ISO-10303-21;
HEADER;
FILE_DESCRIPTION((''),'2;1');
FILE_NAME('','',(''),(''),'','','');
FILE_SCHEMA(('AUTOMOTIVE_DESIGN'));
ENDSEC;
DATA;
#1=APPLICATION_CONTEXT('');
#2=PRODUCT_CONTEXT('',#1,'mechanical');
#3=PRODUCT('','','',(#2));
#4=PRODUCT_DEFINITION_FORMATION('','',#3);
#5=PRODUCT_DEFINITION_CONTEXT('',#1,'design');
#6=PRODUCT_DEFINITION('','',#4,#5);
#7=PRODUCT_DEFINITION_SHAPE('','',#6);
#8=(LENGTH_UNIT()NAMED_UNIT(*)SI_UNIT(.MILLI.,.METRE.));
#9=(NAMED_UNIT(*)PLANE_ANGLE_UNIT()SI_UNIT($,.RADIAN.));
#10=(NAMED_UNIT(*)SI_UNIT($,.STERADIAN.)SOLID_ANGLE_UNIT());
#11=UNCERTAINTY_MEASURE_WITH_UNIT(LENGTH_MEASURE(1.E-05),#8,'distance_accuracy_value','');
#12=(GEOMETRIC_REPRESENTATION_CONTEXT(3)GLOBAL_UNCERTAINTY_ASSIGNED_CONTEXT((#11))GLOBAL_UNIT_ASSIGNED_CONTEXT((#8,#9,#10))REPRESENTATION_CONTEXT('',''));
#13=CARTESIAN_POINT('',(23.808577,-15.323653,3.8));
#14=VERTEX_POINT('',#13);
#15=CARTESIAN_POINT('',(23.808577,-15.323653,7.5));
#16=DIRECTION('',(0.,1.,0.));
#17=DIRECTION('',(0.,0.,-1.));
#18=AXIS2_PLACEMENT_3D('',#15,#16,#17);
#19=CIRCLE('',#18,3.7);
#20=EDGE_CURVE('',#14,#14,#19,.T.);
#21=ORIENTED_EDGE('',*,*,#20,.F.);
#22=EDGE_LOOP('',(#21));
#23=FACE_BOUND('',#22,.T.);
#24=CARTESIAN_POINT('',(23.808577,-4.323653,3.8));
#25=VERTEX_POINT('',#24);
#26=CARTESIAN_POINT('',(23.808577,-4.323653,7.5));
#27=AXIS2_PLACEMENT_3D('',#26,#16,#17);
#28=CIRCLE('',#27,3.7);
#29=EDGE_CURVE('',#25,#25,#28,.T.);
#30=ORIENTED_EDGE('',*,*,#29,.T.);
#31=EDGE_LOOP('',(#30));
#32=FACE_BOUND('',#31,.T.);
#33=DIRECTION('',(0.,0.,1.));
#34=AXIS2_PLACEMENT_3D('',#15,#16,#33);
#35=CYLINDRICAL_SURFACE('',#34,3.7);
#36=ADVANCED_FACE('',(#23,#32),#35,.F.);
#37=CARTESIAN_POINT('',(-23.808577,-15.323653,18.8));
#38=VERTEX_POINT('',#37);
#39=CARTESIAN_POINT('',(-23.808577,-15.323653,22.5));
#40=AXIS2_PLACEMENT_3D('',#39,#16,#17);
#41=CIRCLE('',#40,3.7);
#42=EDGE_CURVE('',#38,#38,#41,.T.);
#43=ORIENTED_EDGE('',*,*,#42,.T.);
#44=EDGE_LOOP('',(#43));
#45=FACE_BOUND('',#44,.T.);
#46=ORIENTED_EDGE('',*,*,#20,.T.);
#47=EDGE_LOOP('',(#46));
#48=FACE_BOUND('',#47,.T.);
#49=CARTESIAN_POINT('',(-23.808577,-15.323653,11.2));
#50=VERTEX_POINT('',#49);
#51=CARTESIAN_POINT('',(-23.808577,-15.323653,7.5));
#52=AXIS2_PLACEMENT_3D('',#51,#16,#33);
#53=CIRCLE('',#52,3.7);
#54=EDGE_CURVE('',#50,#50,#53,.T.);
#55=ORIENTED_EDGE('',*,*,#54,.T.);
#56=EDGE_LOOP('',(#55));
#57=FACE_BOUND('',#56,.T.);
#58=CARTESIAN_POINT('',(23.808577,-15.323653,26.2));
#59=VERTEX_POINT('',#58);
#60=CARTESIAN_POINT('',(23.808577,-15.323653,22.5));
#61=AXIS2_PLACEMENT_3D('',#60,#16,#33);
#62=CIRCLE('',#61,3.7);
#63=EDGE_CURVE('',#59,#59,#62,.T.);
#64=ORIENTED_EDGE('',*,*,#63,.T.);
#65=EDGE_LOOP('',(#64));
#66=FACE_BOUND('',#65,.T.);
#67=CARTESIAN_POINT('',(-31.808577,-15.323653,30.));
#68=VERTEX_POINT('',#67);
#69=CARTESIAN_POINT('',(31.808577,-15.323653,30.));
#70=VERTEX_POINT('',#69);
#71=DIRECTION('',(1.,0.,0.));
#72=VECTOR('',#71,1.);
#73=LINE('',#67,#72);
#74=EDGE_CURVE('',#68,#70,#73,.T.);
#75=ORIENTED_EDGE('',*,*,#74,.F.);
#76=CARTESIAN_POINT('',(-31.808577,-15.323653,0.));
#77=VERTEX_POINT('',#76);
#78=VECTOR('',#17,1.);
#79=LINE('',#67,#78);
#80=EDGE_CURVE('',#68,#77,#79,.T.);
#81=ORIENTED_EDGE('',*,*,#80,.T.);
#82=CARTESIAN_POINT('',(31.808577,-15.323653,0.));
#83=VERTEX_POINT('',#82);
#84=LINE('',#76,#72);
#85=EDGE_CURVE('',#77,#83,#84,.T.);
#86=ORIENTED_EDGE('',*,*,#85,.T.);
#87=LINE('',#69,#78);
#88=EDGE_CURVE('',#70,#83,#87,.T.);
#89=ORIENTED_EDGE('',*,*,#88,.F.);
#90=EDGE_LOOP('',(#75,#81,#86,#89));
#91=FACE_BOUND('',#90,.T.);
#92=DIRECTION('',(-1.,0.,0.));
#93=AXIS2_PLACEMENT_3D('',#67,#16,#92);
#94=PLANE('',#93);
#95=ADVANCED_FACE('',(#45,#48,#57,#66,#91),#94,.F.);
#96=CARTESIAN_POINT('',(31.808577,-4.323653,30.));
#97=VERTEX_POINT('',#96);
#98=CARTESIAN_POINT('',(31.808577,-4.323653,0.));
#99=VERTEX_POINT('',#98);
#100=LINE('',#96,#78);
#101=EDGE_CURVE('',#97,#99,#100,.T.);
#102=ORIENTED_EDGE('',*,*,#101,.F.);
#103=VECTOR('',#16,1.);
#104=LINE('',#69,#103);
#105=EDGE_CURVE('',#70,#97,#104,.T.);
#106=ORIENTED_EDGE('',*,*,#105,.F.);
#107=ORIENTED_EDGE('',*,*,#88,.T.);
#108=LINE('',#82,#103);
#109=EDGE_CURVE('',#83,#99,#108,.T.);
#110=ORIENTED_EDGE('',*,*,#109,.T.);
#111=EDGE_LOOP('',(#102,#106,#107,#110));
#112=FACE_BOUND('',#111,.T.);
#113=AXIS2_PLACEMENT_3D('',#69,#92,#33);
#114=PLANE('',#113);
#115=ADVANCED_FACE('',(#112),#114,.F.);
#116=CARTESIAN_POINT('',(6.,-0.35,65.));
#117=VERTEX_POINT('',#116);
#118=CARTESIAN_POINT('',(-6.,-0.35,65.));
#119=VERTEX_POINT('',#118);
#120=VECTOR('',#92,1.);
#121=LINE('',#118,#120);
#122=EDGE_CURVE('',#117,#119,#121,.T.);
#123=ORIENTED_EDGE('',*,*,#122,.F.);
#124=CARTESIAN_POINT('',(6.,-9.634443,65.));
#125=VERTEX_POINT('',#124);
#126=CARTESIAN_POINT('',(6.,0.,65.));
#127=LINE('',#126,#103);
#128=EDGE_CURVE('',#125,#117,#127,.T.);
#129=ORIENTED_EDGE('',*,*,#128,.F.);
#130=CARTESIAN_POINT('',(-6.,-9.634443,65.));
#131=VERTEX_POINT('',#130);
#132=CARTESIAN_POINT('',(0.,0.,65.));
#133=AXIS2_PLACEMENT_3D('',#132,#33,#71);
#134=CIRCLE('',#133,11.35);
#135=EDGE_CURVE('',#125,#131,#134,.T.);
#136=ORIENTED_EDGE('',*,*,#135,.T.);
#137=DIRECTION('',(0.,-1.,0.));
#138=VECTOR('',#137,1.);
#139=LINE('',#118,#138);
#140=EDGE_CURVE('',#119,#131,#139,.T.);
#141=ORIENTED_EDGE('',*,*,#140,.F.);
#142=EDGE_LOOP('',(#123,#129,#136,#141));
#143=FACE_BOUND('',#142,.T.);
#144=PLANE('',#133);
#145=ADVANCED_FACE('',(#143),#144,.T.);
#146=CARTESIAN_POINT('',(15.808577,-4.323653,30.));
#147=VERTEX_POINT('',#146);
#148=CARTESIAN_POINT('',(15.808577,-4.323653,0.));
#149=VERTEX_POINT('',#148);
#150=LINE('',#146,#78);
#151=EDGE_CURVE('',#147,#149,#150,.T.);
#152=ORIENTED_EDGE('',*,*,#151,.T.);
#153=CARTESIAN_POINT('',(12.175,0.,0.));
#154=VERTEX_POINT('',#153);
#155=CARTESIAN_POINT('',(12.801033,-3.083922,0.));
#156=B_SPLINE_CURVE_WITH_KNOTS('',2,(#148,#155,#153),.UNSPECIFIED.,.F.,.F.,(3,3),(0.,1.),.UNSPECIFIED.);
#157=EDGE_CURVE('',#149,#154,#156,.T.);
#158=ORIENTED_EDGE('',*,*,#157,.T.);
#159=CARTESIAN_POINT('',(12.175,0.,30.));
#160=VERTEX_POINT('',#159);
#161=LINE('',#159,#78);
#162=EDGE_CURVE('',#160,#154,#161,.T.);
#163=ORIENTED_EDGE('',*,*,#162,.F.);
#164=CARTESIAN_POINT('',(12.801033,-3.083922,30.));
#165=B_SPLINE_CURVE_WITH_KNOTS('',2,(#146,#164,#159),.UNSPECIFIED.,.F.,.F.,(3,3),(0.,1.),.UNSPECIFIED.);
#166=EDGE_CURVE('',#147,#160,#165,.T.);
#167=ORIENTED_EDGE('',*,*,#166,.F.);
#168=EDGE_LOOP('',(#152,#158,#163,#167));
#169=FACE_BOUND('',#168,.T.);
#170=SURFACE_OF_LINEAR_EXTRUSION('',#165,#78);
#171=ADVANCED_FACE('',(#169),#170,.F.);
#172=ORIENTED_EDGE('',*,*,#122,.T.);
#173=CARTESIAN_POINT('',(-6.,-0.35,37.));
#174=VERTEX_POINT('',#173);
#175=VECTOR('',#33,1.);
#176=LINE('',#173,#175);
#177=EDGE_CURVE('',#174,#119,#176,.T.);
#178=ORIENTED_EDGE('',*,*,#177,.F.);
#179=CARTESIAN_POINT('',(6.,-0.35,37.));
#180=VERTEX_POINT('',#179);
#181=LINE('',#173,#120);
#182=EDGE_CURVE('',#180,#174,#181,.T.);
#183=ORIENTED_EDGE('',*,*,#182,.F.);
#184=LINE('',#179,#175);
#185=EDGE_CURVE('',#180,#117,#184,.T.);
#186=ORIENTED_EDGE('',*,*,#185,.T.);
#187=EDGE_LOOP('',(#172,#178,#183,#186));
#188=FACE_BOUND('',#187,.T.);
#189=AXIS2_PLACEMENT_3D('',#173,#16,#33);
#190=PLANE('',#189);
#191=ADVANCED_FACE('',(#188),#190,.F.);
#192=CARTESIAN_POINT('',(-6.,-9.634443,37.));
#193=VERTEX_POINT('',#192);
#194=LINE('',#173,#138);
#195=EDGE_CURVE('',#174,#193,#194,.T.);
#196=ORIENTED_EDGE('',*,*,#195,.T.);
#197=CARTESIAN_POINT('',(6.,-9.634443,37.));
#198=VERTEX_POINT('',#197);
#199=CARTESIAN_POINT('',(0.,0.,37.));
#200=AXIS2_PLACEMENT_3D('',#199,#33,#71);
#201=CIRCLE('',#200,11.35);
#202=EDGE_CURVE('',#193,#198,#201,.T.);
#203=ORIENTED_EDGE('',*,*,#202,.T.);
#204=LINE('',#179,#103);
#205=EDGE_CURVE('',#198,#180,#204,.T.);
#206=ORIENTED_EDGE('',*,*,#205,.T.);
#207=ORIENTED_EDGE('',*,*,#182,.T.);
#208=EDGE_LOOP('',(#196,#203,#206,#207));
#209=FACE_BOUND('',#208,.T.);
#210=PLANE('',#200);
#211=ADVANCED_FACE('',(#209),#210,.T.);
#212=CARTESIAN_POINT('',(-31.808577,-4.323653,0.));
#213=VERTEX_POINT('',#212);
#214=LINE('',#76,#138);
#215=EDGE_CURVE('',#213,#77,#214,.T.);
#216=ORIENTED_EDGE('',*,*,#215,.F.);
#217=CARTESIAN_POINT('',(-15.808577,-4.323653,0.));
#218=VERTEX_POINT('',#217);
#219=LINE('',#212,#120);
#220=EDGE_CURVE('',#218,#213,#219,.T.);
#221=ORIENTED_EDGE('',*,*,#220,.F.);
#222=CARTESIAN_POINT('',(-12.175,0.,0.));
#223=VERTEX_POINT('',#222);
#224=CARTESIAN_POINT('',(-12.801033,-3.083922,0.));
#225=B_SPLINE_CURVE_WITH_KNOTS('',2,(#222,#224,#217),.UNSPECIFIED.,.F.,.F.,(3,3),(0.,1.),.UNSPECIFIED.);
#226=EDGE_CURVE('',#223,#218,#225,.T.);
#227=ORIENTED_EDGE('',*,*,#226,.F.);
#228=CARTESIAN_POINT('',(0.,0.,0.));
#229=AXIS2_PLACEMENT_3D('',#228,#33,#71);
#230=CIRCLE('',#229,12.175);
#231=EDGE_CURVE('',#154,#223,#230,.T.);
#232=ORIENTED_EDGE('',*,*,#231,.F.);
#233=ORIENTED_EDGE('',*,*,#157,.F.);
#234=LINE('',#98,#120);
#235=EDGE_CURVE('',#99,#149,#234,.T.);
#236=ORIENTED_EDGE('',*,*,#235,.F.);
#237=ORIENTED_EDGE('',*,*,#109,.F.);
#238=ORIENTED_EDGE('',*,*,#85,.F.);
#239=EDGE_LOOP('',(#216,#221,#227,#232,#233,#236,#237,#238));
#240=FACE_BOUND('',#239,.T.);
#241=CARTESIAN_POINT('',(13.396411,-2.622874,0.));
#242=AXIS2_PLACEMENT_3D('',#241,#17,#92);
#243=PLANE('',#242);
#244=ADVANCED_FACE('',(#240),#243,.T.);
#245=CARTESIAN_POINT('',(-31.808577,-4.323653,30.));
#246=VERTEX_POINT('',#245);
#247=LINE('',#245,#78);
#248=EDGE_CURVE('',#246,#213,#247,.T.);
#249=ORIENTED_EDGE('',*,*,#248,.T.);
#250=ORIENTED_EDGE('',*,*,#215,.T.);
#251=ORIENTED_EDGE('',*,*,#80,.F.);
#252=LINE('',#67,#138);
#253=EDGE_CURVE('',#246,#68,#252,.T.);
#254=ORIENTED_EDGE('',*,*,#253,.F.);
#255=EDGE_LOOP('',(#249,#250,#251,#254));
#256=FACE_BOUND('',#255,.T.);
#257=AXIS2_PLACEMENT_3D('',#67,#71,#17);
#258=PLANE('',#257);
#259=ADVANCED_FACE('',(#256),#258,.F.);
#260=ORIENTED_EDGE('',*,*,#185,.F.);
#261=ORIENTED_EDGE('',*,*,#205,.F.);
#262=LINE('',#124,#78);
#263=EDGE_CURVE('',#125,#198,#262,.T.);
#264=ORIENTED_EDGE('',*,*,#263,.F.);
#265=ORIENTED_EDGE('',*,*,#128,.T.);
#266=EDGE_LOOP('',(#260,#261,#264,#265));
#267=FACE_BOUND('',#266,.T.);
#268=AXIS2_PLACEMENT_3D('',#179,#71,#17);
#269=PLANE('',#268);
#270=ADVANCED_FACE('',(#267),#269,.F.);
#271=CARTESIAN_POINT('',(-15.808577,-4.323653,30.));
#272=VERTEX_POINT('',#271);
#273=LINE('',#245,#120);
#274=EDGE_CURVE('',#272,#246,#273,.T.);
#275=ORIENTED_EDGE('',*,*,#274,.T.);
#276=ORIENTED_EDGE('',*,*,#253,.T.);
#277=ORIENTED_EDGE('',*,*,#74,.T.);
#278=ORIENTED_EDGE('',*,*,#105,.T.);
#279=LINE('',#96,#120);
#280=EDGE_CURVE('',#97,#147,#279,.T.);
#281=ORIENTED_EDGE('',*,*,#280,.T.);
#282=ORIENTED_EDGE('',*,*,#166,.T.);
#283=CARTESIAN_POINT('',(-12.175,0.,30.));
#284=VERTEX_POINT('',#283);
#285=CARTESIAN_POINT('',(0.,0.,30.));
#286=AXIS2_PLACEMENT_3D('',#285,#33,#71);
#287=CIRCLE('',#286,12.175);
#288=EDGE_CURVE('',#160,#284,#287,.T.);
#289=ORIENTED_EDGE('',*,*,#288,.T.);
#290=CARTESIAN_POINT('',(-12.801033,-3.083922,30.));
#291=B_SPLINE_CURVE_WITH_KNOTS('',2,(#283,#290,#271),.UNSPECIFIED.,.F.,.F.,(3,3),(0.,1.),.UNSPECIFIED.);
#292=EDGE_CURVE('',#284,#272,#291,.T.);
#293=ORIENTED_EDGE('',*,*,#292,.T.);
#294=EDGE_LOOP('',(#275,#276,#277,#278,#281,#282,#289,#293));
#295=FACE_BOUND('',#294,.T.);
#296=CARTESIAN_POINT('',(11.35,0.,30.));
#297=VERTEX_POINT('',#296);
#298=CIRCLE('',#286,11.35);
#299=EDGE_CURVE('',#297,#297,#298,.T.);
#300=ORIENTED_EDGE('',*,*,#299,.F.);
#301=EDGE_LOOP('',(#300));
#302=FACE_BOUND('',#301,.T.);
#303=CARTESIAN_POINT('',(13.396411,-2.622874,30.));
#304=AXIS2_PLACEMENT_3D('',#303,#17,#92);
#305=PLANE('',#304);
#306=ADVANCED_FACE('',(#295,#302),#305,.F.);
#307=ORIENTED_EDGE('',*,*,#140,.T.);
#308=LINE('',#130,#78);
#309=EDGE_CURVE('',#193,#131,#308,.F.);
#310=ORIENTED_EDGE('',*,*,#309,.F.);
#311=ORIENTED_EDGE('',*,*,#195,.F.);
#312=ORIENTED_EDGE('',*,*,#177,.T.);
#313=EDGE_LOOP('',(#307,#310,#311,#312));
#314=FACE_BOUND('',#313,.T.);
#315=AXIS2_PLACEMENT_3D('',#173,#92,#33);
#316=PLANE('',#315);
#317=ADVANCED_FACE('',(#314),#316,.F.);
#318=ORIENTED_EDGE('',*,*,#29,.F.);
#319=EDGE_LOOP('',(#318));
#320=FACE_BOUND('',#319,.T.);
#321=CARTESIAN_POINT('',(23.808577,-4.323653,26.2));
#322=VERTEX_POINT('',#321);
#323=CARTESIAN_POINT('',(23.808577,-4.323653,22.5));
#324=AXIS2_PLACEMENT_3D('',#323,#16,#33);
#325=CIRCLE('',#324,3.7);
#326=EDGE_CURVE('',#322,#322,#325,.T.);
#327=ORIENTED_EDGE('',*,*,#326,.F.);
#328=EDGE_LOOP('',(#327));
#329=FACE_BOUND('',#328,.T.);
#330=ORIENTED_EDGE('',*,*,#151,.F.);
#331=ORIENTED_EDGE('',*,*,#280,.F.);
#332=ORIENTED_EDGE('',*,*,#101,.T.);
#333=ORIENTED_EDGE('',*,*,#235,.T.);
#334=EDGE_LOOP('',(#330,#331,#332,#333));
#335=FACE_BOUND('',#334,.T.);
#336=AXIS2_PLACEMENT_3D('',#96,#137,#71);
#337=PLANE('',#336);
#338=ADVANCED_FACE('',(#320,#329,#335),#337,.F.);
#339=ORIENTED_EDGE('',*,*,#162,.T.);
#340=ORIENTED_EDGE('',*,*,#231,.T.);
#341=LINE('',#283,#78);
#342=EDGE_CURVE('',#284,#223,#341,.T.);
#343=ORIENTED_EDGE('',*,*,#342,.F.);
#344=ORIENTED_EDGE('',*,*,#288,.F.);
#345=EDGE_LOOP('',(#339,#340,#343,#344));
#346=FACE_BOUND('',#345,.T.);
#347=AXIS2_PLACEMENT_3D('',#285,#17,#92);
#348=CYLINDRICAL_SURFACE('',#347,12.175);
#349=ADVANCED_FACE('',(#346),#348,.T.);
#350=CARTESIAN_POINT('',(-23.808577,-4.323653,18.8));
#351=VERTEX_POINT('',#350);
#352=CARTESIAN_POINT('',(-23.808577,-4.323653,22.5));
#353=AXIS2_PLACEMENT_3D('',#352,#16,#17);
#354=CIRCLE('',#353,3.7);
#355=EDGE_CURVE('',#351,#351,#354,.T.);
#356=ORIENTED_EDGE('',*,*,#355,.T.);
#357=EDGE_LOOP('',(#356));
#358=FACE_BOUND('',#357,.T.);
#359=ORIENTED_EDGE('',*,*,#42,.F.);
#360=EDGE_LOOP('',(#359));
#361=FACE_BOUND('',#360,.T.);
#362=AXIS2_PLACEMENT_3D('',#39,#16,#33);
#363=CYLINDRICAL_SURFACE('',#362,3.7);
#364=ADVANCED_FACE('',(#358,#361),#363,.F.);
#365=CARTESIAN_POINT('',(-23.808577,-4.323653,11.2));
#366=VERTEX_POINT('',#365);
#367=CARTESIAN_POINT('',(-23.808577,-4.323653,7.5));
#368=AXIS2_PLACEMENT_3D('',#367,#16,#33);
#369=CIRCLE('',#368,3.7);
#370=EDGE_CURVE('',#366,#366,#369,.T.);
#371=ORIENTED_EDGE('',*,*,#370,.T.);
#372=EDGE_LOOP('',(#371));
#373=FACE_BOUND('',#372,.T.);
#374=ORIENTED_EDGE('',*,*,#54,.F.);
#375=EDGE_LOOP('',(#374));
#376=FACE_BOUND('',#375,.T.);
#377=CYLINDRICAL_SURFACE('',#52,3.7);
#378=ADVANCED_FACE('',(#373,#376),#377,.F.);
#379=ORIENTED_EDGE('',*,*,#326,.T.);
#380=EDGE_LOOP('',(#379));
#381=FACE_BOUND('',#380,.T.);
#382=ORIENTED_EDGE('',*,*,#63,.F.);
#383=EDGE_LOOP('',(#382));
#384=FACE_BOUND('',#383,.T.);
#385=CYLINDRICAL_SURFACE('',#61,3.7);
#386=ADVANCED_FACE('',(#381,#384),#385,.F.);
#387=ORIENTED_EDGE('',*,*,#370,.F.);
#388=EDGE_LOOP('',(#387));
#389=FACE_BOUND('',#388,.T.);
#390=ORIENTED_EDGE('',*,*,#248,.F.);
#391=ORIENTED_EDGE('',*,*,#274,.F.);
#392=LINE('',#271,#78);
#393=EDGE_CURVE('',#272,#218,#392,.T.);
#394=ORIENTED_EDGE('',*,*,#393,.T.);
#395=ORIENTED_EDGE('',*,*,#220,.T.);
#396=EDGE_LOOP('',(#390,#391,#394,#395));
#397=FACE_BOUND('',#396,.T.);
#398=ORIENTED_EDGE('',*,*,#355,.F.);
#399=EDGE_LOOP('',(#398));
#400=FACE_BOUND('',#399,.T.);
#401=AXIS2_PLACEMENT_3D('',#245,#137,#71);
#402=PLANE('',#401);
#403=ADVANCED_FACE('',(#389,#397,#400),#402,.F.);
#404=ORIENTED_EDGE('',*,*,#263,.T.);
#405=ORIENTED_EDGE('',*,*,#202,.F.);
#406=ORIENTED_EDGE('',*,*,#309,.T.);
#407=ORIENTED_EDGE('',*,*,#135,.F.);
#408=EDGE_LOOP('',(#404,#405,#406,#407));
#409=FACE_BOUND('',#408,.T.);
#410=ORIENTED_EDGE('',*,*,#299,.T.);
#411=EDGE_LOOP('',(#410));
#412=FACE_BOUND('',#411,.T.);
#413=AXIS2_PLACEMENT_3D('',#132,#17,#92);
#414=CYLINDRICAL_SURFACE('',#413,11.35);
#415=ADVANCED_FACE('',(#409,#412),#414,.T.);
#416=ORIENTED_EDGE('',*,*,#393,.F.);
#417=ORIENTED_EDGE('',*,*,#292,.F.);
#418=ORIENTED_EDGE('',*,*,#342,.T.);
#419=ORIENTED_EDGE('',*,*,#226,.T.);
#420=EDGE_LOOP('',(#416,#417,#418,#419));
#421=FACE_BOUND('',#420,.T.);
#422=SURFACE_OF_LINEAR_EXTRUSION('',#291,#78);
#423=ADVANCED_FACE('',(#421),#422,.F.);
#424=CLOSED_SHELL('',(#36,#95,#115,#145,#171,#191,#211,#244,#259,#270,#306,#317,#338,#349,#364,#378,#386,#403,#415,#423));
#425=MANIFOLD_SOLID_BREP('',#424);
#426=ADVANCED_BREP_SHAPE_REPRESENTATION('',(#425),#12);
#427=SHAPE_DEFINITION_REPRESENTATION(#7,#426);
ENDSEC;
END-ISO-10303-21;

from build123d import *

# Parameters (mm, degrees)
BOSS_EXTRUDE1_DEPTH = 30
SKETCH2_R           = 11.35
BOSS_EXTRUDE2_DEPTH = 35
SKETCH3_R           = 3.7
CUT_EXTRUDE1_DEPTH  = 75.22257831
CUT_EXTRUDE2_DEPTH  = 28


with BuildPart() as part:
    # Sketch1 → Boss-Extrude1 (new body)
    with BuildSketch(Plane.XY):
        with BuildLine():
            Line((-31.808576883, -15.32365322), (31.808576883, -15.32365322))
            Line((31.808576883, -15.32365322), (31.808576883, -4.32365322))
            Line((31.808576883, -4.32365322), (15.808576883, -4.32365322))
            add(Edge.make_bspline(
                [(12.175, 0), (12.801032904, -3.083922052), (15.808576883, -4.32365322)],
                knots=[0, 0, 0, 1, 1, 1], degree=2))
            ThreePointArc((12.175, 0), (0, 12.175), (-12.175, 0))
            add(Edge.make_bspline(
                [(-12.175, 0), (-12.801032904, -3.083922052), (-15.808576883, -4.32365322)],
                knots=[0, 0, 0, 1, 1, 1], degree=2))
            Line((-15.808576883, -4.32365322), (-31.808576883, -4.32365322))
            Line((-31.808576883, -4.32365322), (-31.808576883, -15.32365322))
        make_face()
    extrude(amount=BOSS_EXTRUDE1_DEPTH)

    # Sketch2 → Boss-Extrude2 (add)
    with BuildSketch(Plane.XY.offset(30)):
        Circle(SKETCH2_R)
    extrude(amount=BOSS_EXTRUDE2_DEPTH)

    # Sketch3 → Cut-Extrude1 (cut, through all)
    with BuildSketch(Plane(origin=(0, -4.32365322, 0), x_dir=(1, 0, 0), z_dir=(0, 1, 0))):
        with Locations(Location((-23.808576883, -7.5, 0), (0, 0, 270))):
            Circle(SKETCH3_R)
        with Locations(Location((-23.808576883, -22.5, 0), (0, 0, 90))):
            Circle(SKETCH3_R)
        with Locations(Location((23.808576883, -22.5, 0), (0, 0, 270))):
            Circle(SKETCH3_R)
        with Locations(Location((23.808576883, -7.5, 0), (0, 0, 90))):
            Circle(SKETCH3_R)
    extrude(amount=-CUT_EXTRUDE1_DEPTH, mode=Mode.SUBTRACT)

    # Sketch5 → Cut-Extrude2 (cut)
    with BuildSketch(Plane.XY.offset(65)):
        Polygon((-3.75, -11.35), (3.75, -11.35), (6, -11.35), (6, -0.35), (-6, -0.35), (-6, -11.35), align=None)
    extrude(amount=-CUT_EXTRUDE2_DEPTH, mode=Mode.SUBTRACT)


solid = part.part
